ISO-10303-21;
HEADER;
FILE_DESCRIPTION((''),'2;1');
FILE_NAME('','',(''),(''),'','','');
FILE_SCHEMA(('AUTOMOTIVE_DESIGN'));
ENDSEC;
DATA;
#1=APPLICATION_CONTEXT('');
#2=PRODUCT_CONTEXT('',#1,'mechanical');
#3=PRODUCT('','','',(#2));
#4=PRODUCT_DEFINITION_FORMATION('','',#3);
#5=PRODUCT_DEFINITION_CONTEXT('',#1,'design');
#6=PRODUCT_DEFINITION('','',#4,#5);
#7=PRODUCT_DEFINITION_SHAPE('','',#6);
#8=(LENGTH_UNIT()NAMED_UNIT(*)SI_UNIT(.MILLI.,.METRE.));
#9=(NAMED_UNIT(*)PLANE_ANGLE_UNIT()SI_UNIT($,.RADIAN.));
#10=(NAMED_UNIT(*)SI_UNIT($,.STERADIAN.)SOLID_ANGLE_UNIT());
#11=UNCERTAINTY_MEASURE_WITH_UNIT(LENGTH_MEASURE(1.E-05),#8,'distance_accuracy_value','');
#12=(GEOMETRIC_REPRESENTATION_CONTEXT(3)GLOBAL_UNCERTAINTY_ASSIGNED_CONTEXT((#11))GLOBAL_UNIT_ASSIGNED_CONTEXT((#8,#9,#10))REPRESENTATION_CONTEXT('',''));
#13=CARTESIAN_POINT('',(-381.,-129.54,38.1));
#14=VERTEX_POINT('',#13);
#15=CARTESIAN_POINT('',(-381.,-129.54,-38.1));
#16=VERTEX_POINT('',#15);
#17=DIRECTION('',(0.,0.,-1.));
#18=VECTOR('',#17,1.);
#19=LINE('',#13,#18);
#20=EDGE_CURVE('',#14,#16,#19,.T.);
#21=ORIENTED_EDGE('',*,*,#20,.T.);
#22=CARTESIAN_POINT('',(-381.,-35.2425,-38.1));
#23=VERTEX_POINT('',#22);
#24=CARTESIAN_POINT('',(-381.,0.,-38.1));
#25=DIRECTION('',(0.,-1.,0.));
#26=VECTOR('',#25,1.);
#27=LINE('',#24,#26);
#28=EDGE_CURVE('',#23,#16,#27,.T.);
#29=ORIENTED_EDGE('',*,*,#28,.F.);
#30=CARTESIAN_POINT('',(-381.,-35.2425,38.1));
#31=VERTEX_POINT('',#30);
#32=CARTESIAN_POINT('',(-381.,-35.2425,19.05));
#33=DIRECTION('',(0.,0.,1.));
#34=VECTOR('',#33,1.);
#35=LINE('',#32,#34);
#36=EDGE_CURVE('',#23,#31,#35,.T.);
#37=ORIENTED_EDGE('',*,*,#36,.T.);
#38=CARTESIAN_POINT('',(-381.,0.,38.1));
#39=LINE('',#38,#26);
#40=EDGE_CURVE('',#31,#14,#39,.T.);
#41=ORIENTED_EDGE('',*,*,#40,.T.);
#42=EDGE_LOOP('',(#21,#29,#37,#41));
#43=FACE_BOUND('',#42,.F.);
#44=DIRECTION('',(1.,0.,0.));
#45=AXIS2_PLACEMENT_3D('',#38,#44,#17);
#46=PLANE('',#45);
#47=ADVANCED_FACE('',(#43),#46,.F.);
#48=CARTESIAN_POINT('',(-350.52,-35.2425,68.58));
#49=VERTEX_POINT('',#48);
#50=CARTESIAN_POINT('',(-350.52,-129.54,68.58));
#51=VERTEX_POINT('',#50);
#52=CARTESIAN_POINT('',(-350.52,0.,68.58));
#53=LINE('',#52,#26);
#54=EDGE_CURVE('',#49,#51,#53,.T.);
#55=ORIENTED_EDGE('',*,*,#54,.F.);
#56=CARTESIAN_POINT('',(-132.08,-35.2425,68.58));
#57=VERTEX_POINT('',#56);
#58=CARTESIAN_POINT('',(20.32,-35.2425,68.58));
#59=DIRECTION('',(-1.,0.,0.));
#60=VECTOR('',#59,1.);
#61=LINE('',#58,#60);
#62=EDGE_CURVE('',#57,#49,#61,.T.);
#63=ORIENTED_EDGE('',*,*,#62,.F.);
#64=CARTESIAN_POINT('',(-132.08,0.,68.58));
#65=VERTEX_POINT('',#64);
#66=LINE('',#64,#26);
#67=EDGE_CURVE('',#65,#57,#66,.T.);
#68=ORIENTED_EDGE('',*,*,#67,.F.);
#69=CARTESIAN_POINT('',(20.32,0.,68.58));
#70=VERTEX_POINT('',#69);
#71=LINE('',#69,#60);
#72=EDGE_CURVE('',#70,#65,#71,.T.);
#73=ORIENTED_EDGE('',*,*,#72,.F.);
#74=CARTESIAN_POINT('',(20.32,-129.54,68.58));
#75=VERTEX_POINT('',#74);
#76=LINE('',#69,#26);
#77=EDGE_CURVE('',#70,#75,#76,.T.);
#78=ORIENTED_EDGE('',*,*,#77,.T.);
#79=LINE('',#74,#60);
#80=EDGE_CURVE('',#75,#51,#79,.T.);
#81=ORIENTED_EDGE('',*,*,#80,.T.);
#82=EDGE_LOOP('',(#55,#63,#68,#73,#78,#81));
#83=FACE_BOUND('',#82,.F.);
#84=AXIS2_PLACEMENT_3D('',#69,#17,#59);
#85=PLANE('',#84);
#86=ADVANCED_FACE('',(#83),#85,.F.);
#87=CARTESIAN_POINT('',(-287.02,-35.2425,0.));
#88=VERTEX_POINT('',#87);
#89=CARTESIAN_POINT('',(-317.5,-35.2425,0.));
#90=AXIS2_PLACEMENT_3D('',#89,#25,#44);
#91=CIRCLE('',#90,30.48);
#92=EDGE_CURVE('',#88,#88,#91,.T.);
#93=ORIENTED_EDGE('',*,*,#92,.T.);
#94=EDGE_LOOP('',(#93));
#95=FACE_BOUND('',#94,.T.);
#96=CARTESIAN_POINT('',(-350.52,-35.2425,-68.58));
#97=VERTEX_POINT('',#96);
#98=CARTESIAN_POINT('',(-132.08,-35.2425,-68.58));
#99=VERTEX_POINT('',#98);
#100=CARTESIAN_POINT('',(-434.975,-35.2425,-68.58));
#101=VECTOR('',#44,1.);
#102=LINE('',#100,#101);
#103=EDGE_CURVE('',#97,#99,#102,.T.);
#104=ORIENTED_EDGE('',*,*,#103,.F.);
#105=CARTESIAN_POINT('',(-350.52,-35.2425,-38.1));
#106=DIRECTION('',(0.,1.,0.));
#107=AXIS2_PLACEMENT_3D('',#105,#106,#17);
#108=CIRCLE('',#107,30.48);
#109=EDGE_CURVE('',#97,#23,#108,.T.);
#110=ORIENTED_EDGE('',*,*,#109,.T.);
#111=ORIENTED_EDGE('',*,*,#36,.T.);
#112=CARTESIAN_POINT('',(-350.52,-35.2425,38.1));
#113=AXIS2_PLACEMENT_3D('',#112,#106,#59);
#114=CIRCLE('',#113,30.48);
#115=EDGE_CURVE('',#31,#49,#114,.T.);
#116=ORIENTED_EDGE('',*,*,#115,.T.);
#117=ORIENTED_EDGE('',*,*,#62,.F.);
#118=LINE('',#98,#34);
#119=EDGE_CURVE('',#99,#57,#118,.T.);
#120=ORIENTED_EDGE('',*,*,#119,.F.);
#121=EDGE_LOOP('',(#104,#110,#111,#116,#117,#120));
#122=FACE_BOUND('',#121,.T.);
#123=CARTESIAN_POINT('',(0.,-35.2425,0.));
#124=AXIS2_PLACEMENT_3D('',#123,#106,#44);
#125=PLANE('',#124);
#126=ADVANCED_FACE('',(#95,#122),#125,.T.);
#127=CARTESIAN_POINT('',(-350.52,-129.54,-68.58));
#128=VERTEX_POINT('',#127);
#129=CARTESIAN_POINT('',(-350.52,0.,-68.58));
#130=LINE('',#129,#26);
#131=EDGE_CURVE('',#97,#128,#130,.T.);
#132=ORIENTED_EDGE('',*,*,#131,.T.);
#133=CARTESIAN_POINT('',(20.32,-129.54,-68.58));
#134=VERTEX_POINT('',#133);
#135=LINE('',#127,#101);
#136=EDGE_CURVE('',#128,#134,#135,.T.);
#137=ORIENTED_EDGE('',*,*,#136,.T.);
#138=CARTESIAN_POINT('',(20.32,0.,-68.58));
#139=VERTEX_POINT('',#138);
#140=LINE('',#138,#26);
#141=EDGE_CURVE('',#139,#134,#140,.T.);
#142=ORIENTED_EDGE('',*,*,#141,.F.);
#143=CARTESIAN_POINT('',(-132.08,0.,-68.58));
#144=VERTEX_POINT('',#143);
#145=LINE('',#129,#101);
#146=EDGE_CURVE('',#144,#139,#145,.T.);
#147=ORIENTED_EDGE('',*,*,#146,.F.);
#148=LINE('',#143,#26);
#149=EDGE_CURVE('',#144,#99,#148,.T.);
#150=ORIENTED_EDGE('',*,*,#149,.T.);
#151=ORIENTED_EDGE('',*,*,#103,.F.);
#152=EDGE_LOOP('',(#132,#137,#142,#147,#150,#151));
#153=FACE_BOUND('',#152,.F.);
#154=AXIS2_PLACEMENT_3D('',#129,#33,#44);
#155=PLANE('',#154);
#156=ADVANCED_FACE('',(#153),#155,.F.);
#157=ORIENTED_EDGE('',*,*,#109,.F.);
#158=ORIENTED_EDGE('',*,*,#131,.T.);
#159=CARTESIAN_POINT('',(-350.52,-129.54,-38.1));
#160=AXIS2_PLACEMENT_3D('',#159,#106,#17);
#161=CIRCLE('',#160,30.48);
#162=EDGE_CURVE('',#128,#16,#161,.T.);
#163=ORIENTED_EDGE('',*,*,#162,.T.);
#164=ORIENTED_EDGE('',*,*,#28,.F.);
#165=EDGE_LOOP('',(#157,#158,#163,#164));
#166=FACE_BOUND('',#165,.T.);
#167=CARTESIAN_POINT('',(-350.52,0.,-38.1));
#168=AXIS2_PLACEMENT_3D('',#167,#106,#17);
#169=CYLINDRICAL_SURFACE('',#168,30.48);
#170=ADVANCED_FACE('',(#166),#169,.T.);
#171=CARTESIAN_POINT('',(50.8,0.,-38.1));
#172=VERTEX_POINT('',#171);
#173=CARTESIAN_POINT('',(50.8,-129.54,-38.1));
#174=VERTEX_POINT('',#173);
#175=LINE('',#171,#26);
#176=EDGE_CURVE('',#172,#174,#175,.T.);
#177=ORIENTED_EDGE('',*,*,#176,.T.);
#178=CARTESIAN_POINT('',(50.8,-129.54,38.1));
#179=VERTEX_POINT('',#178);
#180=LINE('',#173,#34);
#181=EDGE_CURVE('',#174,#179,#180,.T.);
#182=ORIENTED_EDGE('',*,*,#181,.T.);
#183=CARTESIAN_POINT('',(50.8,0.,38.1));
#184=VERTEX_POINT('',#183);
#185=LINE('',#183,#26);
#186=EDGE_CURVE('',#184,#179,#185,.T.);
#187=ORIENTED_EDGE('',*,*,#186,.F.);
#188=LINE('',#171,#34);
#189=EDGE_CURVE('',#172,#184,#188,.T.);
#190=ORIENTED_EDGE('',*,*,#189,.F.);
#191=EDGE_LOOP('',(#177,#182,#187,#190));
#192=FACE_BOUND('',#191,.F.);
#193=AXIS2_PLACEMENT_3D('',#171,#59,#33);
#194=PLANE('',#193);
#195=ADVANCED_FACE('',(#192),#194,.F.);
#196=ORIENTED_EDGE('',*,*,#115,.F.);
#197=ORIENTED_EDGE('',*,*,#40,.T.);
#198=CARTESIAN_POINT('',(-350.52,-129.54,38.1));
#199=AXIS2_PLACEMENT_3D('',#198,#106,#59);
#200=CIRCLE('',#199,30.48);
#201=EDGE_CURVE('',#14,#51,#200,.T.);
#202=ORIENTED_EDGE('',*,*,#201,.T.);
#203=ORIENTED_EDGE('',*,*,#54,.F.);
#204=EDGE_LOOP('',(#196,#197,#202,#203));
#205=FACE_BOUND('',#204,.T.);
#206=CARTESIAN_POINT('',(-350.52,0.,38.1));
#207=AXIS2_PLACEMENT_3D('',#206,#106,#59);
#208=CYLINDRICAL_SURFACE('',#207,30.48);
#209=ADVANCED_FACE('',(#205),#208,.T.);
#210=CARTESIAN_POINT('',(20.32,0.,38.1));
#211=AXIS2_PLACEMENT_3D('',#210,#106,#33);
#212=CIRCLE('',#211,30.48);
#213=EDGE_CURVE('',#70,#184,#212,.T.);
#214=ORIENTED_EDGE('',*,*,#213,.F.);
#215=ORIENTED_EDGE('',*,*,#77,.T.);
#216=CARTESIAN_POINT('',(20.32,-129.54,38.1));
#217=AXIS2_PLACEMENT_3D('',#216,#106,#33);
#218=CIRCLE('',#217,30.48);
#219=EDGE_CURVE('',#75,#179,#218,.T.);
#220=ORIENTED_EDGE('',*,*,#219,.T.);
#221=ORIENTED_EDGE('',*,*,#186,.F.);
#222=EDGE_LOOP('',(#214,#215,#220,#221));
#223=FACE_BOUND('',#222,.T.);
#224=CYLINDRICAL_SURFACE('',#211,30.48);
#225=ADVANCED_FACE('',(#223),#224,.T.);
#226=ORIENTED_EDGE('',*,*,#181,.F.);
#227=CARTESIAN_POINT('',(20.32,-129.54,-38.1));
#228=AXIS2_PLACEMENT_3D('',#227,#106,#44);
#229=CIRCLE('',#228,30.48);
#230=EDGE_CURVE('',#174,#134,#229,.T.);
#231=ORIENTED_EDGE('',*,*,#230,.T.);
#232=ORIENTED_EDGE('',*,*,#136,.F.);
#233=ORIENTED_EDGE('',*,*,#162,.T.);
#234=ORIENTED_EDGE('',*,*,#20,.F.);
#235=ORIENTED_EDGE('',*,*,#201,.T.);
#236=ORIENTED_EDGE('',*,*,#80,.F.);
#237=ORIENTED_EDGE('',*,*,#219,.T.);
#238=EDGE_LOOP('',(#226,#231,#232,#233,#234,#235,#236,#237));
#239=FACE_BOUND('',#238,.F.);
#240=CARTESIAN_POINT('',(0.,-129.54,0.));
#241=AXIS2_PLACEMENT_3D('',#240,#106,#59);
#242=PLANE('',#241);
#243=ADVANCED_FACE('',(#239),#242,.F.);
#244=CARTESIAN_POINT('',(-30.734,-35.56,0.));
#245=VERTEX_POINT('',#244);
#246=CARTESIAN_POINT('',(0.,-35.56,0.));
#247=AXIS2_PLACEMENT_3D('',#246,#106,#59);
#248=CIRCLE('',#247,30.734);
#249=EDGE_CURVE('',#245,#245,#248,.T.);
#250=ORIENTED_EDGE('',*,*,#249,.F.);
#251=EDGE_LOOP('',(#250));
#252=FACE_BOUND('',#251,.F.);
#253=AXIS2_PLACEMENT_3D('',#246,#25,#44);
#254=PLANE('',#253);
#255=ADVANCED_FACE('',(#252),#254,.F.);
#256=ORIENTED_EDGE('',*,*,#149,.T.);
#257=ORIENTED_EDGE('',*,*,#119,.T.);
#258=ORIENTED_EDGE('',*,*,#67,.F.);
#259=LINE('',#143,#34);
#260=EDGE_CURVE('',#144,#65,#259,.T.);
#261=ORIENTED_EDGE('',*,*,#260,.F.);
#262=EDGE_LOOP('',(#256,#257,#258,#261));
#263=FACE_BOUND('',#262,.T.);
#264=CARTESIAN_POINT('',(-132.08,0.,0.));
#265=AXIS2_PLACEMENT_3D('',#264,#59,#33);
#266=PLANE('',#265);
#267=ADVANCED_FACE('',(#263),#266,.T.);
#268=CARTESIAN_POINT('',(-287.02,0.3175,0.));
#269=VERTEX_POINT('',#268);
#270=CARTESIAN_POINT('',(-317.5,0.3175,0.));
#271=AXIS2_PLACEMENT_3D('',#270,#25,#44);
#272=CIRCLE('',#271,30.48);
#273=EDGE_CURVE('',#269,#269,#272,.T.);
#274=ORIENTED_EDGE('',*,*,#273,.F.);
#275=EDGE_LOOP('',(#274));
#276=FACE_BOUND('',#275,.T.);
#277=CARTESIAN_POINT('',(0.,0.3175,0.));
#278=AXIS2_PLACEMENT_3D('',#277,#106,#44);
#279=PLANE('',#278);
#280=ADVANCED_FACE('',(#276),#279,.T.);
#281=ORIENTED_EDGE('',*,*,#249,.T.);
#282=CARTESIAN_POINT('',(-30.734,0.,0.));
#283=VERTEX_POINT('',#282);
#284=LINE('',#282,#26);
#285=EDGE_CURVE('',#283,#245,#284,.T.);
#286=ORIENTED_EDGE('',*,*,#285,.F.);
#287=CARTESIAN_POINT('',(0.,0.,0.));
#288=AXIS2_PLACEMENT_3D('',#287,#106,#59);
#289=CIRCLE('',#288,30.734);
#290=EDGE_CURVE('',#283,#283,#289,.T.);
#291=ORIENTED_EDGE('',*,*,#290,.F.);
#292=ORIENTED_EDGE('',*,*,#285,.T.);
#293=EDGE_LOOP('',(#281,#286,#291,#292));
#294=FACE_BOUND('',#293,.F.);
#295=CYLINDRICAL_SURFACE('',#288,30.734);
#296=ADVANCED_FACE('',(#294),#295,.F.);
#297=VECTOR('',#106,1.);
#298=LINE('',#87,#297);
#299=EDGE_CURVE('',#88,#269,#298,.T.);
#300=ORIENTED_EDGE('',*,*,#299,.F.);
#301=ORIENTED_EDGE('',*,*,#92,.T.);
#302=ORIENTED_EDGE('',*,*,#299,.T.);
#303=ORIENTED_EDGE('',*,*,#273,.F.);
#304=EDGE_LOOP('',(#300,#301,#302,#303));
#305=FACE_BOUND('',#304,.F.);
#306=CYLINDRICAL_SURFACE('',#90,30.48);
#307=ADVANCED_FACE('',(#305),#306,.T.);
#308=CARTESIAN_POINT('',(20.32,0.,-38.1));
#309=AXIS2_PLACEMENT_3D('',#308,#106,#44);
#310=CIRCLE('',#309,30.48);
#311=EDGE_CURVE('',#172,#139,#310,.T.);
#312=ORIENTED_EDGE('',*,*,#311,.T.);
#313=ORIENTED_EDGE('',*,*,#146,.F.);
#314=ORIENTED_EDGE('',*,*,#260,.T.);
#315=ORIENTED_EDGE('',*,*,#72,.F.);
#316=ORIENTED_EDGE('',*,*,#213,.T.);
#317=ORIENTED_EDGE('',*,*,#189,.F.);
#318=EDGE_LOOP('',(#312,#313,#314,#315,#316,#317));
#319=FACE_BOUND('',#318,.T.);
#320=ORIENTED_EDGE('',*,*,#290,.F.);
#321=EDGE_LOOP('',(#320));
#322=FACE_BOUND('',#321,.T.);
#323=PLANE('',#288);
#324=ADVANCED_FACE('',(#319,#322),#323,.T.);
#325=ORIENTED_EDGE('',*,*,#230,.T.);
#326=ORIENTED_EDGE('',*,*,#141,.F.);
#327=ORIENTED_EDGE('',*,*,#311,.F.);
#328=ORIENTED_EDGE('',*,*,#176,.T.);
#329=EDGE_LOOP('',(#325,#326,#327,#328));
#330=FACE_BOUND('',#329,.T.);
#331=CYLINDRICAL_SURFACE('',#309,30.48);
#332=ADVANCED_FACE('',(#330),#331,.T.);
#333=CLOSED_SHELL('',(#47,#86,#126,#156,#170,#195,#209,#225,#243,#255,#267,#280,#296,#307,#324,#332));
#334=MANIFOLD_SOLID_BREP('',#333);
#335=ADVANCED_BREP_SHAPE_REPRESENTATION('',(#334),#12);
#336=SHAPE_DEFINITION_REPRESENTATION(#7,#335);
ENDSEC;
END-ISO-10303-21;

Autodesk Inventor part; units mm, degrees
ref_plane "YZ Plane" through (0, 0, 0) normal (1, 0, 0) x (0, 1, 0)
ref_plane "XZ Plane" through (0, 0, 0) normal (0, 1, 0) x (-1, 0, 0)
ref_plane "XY Plane" through (0, 0, 0) normal (0, 0, 1) x (1, 0, 0)
sketch "Sketch1" plane through (0, 0, 0) normal (0, 1, 0) x (-1, 0, 0)
  circle A0 centre (0, 0) radius 30.734
  line L0 (-20.32, 68.58) -> (350.52, 68.58)
  line L1 (381, 38.1) -> (381, -38.1)
  line L2 (350.52, -68.58) -> (-20.32, -68.58)
  line L3 (-50.8, -38.1) -> (-50.8, 38.1)
  arc A1 (-20.32, 68.58) -> (-50.8, 38.1) centre (-20.32, 38.1) ccw
  arc A2 (-50.8, -38.1) -> (-20.32, -68.58) centre (-20.32, -38.1) ccw
  arc A3 (381, 38.1) -> (350.52, 68.58) centre (350.52, 38.1) ccw
  arc A4 (350.52, -68.58) -> (381, -38.1) centre (350.52, -38.1) ccw
  point P0 (-50.8, 68.58)
  point P1 (381, -68.58)
  point P2 (-50.8, -68.58)
  dimension "d0" = 61.468
  dimension "d1" = 137.16
  dimension "d2" = 431.8
  dimension "d3" = 50.8
  dimension "d4" = 68.58
  dimension "d5" = 30.48
extrude "Extrusion1" add sketch "Sketch1" against normal blind 129.54
sketch "Sketch2" plane through (0, -129.54, 0) normal (0, -1, 0) x (1, 0, 0)
  circle A0 centre (0, 0) radius 38.1
  dimension "d17" = 76.2
extrude "Extrusion2" add sketch "Sketch2" against normal blind 93.98
sketch "Sketch3" plane through (0, 0, 0) normal (0, 1, 0) x (1, 0, 0)
  line L0 (50.8, 38.1) -> (50.8, -38.1) projected
  line L1 (50.8, 0) -> (-132.08, 0)
  line L2 (20.32, -68.58) -> (-350.52, -68.58) projected
  line L3 (-132.08, -68.58) -> (-434.975, -68.58)
  line L4 (-434.975, -68.58) -> (-434.975, 68.58)
  line L5 (-434.975, 68.58) -> (-132.08, 68.58)
  line L6 (-132.08, 68.58) -> (-132.08, -68.58)
  point P0 (0, 0)
  dimension "d10" = 182.88
extrude "Extrusion3" cut sketch "Sketch3" against normal blind 35.2425
sketch "Sketch4" plane through (0, -35.2425, 0) normal (0, 1, 0) x (1, 0, 0)
  line L0 (-381, -38.1) -> (-381, 38.1) projected
  line L1 (-381, 0) -> (-328.6125, 0)
  line L2 (-381, 0) -> (-317.5, 0)
  circle A0 centre (-317.5, 0) radius 30.48
  point P0 (0, 0)
  dimension "d14" = 60.96
  dimension "d18" = 317.5
extrude "Extrusion4" add sketch "Sketch4" along normal blind 35.56
equation "\"d4\" = 0.5 * d1"
properties part number "Shoulder2 Link"
